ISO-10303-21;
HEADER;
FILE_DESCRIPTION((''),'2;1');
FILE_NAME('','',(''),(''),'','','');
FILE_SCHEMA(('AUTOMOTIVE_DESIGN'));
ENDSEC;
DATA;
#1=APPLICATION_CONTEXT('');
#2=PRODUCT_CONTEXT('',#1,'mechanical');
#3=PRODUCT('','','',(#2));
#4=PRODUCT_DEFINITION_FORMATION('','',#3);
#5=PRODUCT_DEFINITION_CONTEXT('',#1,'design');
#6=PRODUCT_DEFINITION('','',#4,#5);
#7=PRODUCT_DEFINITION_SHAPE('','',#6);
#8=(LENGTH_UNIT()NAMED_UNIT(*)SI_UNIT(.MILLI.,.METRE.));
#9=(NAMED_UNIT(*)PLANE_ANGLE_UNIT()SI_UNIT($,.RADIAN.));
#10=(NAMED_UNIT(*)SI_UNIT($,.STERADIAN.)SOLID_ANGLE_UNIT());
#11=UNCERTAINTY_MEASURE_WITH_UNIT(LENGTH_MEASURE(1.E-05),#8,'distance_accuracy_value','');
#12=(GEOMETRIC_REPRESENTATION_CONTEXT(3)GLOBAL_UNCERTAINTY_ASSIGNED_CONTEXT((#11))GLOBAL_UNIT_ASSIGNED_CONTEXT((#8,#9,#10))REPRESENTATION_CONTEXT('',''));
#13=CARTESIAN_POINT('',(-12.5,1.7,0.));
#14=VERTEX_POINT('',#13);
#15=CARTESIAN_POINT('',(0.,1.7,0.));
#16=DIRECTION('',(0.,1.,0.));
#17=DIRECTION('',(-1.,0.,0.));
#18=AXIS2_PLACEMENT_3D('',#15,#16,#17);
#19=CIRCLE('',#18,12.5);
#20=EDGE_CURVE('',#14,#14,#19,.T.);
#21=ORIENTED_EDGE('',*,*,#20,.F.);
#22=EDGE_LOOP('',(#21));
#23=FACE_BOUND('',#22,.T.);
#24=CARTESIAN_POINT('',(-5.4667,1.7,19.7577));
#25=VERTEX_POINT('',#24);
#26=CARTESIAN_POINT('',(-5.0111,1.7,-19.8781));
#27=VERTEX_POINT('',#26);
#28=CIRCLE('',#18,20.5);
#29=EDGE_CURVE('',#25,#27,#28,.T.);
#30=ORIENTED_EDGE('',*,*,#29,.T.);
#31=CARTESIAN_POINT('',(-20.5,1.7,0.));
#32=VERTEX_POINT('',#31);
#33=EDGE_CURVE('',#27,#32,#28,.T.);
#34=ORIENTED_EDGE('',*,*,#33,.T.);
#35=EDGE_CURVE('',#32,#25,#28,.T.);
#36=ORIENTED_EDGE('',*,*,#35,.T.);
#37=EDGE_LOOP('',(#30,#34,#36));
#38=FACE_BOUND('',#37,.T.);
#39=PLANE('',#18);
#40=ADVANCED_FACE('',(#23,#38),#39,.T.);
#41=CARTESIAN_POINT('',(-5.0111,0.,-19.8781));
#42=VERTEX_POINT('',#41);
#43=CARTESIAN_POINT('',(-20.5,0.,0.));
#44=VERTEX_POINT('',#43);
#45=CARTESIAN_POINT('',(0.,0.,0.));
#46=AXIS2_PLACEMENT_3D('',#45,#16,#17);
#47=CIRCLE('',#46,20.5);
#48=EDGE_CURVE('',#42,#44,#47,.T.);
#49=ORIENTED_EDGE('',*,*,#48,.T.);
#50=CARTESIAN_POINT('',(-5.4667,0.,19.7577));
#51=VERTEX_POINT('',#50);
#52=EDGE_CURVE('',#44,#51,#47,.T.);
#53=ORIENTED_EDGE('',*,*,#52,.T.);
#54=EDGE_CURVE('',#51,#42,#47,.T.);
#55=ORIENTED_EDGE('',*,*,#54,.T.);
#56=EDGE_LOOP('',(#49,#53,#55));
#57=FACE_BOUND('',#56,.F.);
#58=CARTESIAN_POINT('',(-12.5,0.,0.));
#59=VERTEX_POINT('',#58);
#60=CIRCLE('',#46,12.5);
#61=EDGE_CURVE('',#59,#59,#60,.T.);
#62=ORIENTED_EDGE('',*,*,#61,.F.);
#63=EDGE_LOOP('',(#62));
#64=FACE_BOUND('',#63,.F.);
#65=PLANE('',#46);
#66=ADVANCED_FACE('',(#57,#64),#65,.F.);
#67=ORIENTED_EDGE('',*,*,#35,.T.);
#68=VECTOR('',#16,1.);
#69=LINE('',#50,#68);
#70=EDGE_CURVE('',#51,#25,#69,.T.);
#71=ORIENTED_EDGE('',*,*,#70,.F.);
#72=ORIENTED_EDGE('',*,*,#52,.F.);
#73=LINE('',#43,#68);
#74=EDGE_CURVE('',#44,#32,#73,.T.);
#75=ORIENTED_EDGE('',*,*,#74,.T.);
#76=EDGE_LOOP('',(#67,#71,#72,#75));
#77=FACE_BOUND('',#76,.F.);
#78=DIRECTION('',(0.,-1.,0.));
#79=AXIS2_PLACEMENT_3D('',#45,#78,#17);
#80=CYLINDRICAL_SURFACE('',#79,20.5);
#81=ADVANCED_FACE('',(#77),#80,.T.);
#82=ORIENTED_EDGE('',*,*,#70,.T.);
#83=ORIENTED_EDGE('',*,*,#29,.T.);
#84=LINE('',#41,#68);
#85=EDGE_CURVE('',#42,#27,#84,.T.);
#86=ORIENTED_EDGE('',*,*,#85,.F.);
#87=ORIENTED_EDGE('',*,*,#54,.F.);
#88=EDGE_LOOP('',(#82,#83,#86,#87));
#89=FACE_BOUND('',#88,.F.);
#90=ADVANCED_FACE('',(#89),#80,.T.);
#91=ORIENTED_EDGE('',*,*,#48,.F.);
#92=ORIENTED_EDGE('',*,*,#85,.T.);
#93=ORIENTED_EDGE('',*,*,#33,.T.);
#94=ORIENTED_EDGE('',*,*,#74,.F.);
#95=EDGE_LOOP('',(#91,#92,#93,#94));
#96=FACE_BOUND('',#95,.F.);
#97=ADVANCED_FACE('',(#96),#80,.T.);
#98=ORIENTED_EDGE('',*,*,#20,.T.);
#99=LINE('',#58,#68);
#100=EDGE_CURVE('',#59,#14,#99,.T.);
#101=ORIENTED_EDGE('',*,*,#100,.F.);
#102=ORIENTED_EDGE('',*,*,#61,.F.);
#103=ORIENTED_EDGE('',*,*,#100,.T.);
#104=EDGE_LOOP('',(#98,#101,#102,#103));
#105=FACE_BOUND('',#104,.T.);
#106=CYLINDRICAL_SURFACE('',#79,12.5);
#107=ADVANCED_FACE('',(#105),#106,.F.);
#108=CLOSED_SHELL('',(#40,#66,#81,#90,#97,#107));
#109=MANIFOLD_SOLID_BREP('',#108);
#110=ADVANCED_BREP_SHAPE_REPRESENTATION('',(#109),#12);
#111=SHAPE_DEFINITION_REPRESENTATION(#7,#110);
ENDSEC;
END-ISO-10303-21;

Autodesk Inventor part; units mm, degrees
ref_plane "YZ Plane" through (0, 0, 0) normal (1, 0, 0) x (0, 1, 0)
ref_plane "XZ Plane" through (0, 0, 0) normal (0, 1, 0) x (-1, 0, 0)
ref_plane "XY Plane" through (0, 0, 0) normal (0, 0, 1) x (1, 0, 0)
sketch "Sketch1" plane through (0, 0, 0) normal (0, 1, 0) x (-1, 0, 0)
  circle A0 centre (0, 0) radius 12.5
  circle A1 centre (0, 0) radius 12.5
  circle A2 centre (0, 0) radius 20.5
  arc A3 (5.0111, -19.8781) -> (5.4667, 19.7577) centre (0, 0) ccw
  dimension "d0" = 41
  dimension "d1" = 25
extrude "Extrusion1" add sketch "Sketch1" along normal blind 1.7
properties part number "DireccionComplemento"
